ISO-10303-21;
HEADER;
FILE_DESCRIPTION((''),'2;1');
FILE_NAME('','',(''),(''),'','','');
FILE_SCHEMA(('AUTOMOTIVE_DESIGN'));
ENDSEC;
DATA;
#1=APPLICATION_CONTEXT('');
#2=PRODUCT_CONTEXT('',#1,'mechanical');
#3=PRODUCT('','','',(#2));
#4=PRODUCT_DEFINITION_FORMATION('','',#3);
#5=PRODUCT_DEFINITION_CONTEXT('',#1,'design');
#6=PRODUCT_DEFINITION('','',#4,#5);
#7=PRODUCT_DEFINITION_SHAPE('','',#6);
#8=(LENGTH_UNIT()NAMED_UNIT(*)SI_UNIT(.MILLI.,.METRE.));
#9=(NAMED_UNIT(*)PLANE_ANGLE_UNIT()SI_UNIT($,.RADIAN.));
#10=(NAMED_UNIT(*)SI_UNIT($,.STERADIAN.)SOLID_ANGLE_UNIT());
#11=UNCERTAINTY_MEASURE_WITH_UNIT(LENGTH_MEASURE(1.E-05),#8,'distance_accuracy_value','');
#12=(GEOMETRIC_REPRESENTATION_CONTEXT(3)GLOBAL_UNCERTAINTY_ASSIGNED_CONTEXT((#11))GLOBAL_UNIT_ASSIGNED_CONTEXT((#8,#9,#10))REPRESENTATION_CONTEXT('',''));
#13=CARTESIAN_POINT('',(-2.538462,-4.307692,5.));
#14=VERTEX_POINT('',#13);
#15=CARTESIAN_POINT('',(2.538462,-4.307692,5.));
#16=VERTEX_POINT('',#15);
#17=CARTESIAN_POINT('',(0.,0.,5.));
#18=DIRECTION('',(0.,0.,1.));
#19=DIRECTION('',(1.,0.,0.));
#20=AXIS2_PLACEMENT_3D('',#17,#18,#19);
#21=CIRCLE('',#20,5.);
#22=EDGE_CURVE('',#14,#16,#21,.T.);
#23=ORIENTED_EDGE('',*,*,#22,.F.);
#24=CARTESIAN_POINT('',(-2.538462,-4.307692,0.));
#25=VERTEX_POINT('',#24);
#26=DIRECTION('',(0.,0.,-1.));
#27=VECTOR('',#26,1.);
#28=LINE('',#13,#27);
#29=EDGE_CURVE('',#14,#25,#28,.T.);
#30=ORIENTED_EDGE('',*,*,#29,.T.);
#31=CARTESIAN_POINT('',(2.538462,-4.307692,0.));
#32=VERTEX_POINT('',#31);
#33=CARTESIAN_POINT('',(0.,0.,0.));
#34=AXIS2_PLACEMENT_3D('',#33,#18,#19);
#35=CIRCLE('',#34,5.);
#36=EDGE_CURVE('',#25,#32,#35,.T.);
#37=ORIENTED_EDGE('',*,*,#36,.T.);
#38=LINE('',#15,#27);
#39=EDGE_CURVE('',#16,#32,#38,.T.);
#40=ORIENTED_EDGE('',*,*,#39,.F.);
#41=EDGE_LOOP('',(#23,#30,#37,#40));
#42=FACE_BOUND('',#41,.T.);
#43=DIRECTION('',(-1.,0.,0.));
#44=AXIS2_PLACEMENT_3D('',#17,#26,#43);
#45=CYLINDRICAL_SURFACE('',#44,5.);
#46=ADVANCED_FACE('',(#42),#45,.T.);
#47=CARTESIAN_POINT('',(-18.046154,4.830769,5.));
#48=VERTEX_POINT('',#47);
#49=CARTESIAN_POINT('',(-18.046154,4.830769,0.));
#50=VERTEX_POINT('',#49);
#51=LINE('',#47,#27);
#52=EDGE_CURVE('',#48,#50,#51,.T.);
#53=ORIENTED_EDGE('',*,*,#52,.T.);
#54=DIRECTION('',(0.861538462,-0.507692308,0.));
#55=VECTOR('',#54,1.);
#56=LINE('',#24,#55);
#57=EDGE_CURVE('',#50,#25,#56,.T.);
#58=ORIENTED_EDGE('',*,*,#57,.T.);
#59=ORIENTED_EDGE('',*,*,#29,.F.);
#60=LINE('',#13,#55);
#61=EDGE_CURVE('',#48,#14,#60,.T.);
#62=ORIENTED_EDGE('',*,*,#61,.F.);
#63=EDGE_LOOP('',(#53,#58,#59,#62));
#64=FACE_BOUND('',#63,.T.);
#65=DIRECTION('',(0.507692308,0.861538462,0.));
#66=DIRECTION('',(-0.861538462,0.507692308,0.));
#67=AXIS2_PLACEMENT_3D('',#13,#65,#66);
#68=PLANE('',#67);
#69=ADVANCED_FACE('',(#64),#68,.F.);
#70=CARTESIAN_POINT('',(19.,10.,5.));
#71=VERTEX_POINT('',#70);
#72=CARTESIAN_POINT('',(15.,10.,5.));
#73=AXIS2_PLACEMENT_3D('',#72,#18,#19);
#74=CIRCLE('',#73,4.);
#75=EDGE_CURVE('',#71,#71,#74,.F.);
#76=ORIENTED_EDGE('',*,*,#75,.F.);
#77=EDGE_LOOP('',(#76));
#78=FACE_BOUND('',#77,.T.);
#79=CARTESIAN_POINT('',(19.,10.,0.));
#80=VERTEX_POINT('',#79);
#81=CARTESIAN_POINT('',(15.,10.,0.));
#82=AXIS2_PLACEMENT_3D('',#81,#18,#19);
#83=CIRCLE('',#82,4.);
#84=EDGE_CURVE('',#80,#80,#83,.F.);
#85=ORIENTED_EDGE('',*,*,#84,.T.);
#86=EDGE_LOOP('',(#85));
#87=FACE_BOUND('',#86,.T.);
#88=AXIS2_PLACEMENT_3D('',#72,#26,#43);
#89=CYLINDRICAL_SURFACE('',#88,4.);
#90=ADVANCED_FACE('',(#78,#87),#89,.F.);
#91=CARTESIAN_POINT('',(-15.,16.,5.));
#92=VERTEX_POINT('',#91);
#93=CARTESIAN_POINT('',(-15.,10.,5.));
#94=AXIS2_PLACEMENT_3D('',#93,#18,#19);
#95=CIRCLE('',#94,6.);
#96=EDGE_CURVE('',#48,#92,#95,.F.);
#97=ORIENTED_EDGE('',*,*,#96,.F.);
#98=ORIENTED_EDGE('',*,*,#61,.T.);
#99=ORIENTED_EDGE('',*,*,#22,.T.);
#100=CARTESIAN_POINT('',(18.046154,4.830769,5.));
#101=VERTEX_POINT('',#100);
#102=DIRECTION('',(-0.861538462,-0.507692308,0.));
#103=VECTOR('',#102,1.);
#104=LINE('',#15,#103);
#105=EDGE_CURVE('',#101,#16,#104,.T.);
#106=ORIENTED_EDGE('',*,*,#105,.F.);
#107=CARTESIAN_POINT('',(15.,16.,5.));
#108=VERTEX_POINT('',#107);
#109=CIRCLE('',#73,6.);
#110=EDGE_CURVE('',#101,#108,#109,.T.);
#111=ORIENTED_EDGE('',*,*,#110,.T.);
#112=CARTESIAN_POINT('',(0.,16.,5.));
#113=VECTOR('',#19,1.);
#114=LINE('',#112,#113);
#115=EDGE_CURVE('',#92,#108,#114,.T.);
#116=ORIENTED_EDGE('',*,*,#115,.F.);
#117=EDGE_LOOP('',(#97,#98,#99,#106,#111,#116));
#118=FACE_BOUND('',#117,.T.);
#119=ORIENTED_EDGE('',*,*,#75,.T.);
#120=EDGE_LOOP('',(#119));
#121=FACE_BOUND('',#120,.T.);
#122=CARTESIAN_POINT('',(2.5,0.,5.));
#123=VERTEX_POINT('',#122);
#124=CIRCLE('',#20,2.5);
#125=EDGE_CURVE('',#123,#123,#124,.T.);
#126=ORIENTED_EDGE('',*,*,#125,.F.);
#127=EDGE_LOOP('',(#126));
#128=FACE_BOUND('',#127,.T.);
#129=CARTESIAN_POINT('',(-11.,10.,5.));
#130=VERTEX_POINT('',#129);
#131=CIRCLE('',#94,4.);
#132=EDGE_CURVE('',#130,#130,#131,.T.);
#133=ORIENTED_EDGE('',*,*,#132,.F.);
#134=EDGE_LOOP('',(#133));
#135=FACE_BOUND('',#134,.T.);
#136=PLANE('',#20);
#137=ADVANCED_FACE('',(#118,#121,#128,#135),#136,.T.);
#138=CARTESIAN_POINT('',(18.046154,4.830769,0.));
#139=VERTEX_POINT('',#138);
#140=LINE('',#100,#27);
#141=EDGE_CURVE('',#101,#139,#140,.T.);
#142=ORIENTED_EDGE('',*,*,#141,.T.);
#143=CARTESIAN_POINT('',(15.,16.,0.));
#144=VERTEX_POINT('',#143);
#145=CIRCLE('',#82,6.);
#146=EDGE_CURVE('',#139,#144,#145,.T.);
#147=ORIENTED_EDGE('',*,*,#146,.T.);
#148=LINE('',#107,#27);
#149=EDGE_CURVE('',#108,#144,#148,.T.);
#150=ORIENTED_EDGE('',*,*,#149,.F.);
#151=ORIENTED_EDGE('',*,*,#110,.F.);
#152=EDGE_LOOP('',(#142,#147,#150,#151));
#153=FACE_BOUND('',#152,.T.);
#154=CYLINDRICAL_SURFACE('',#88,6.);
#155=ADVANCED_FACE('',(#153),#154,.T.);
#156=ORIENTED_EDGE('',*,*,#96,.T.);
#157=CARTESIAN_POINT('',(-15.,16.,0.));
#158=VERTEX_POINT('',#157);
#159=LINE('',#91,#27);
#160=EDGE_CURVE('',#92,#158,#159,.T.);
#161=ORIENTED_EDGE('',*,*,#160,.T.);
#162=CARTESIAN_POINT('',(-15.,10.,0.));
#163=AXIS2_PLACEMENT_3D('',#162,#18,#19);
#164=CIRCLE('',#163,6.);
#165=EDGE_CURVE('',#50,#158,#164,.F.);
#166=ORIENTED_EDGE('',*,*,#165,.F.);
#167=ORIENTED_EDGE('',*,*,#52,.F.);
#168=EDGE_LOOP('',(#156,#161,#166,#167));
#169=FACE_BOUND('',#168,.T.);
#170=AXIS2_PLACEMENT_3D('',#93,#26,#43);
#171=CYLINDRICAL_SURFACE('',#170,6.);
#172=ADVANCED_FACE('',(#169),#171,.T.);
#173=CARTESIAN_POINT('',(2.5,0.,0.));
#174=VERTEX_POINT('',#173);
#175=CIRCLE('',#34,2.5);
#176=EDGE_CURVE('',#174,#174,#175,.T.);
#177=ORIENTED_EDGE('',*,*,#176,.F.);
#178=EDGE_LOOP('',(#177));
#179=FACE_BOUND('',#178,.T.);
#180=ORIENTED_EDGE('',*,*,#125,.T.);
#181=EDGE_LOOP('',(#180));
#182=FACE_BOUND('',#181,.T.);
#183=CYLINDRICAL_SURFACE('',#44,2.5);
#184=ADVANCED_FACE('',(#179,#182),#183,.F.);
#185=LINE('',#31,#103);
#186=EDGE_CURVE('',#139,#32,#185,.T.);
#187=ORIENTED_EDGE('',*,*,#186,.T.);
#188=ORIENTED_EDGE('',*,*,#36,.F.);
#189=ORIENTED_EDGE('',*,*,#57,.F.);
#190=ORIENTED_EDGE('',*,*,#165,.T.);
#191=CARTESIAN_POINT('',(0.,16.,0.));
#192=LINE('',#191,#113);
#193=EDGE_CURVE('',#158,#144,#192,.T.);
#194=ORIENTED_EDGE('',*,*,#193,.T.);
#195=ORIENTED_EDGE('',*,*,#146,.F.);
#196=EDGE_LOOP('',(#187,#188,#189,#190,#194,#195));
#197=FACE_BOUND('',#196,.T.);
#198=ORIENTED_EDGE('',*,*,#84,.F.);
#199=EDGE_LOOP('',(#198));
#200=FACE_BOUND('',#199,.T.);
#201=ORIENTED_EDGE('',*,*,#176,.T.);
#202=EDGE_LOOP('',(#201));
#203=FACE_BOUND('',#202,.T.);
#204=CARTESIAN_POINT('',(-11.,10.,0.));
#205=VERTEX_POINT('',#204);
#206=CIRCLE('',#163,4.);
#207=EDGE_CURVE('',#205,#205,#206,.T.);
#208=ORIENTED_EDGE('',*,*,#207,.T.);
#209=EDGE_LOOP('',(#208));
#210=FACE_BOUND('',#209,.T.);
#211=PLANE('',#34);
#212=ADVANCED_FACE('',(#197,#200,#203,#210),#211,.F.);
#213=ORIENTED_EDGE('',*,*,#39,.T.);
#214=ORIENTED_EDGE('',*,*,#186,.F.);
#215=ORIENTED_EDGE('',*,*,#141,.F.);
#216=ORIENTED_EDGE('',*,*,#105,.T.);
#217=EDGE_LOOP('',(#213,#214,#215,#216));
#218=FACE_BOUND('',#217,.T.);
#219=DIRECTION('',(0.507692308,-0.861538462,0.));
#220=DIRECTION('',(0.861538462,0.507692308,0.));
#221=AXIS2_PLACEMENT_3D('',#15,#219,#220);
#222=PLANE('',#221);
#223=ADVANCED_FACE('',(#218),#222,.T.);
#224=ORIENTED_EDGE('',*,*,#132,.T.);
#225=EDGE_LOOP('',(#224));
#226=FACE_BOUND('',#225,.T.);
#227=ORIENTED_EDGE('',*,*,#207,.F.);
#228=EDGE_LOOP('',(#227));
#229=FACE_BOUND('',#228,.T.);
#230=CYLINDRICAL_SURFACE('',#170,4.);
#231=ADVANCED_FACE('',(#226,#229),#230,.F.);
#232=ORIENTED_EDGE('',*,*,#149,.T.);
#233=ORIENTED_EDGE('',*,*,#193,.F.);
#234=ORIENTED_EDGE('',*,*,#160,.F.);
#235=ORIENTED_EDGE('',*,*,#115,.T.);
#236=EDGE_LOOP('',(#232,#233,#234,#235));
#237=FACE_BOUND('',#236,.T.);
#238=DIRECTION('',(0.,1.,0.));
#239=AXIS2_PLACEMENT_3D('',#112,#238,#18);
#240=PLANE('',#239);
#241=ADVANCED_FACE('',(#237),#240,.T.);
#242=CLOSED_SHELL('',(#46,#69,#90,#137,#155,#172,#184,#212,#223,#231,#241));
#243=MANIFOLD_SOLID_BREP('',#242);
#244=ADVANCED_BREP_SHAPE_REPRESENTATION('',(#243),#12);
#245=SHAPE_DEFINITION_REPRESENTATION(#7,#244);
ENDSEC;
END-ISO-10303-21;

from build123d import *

# Parameters (mm, degrees)
SKETCH1_R           = 2.5
SKETCH1_R_2         = 4
BOSS_EXTRUDE1_DEPTH = 5


with BuildPart() as part:
    # Sketch1 → Boss-Extrude1 (new body)
    with BuildSketch(Plane.XY):
        with BuildLine():
            Line((15, 16), (-15, 16))
            ThreePointArc((-15, 16), (-20.788582927, 11.578704435), (-18.046153846, 4.830769231))
            Line((-18.046153846, 4.830769231), (-2.538461538, -4.307692308))
            ThreePointArc((-2.538461538, -4.307692308), (0, -5), (2.538461538, -4.307692308))
            Line((2.538461538, -4.307692308), (18.046153846, 4.830769231))
            ThreePointArc((18.046153846, 4.830769231), (20.788582927, 11.578704435), (15, 16))
        make_face()
        Circle(SKETCH1_R, mode=Mode.SUBTRACT)
        with Locations((-15, 10)):
            Circle(SKETCH1_R_2, mode=Mode.SUBTRACT)
        with Locations((15, 10)):
            Circle(SKETCH1_R_2, mode=Mode.SUBTRACT)
    extrude(amount=BOSS_EXTRUDE1_DEPTH)


solid = part.part
